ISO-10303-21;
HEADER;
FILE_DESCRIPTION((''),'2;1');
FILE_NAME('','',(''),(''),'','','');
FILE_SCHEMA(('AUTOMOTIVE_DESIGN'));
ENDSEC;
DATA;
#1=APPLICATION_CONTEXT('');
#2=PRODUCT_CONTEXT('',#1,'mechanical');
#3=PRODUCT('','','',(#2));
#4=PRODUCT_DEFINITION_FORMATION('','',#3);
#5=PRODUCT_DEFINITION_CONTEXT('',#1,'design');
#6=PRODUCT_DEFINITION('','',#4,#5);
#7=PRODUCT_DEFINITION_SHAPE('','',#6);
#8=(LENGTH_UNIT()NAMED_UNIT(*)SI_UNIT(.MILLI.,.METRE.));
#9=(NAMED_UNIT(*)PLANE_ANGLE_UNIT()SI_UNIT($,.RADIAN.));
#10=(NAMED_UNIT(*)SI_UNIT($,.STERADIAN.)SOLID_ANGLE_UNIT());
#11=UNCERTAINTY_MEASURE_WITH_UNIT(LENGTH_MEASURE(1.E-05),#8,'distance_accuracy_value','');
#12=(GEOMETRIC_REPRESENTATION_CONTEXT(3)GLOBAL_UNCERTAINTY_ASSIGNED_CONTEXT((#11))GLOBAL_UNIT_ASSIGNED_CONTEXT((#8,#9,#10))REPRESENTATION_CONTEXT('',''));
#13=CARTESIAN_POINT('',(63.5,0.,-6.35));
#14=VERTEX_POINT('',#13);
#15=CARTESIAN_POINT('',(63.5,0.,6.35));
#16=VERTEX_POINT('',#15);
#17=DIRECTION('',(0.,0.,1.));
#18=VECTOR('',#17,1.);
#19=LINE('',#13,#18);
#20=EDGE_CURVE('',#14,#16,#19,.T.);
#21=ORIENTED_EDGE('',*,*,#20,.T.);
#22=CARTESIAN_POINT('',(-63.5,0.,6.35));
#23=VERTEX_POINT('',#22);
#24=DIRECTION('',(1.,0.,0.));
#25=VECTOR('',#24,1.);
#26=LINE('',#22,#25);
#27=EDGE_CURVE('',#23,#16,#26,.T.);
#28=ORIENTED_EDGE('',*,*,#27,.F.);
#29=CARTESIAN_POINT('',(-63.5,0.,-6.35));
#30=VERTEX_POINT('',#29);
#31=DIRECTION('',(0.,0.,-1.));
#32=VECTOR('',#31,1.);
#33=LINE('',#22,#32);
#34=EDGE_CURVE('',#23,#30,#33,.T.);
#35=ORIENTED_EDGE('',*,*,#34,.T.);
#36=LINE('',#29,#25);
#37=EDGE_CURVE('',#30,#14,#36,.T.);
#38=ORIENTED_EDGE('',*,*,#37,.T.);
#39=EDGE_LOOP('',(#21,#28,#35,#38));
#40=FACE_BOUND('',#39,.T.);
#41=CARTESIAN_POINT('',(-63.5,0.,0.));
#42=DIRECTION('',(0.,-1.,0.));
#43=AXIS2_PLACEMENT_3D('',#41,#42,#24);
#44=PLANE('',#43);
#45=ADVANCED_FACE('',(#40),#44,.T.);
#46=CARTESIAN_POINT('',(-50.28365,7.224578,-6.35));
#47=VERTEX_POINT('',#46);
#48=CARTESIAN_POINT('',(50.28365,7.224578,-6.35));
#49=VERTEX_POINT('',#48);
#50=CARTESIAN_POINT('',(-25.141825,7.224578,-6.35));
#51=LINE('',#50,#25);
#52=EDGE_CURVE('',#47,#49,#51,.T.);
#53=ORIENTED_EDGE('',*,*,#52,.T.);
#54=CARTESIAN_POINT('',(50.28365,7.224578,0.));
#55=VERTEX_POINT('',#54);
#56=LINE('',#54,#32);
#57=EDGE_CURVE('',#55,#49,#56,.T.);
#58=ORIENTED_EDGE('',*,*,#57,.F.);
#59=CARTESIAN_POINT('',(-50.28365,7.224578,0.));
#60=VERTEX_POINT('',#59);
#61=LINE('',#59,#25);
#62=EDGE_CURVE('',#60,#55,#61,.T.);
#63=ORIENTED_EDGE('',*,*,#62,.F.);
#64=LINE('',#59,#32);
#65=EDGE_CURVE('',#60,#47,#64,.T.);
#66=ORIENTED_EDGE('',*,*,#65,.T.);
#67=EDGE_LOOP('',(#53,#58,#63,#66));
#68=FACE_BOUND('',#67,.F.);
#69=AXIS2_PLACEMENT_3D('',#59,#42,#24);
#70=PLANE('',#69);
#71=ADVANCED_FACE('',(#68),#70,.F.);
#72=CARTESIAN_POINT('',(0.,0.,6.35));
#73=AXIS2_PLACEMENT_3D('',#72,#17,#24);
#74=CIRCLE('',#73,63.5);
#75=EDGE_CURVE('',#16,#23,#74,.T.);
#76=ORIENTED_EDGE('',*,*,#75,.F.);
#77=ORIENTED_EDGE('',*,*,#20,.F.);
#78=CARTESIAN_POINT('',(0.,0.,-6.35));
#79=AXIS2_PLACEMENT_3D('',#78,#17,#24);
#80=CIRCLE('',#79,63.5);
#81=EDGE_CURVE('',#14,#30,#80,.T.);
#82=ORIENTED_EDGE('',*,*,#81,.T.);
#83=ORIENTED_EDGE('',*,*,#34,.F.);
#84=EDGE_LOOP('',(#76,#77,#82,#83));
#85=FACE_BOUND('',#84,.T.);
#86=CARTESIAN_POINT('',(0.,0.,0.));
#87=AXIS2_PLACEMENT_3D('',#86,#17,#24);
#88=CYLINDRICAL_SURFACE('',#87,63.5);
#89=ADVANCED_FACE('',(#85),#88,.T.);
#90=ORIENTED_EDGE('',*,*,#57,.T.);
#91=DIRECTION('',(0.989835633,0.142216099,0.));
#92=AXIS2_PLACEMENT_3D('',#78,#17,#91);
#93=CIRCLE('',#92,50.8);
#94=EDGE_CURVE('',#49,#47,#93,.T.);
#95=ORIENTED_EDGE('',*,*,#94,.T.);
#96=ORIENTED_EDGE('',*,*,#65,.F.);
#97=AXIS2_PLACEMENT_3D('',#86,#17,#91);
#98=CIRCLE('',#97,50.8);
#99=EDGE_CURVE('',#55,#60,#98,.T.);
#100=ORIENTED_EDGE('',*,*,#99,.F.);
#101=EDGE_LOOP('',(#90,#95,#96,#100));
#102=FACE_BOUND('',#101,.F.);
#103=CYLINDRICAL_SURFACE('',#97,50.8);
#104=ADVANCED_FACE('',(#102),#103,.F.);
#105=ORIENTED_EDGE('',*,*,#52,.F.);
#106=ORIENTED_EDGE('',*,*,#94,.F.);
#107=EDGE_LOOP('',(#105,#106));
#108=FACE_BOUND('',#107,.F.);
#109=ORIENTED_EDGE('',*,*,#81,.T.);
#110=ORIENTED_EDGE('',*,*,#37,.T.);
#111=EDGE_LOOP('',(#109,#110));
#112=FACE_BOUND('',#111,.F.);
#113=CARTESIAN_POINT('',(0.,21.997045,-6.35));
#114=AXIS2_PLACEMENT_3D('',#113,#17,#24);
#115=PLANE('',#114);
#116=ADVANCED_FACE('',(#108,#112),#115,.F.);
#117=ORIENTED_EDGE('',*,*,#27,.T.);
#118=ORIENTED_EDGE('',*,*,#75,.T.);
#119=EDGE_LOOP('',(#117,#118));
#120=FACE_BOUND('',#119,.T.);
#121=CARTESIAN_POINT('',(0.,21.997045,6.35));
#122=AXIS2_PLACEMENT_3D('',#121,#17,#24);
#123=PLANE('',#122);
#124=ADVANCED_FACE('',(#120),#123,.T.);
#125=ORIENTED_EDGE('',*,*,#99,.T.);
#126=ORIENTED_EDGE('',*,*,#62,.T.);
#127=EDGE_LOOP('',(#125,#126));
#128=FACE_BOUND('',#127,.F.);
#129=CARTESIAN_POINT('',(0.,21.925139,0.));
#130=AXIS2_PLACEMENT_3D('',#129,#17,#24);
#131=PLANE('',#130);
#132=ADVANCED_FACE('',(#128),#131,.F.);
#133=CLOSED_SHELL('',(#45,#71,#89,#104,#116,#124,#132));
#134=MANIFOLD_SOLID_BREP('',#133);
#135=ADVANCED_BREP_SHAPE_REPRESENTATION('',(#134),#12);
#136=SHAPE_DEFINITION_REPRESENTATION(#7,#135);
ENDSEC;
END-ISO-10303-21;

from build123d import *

# Parameters (mm, degrees)
F1_DEPTH = 6.35
F3_DEPTH = 25.4


with BuildPart() as f1:
    # F0 (on Top) → F1 (new body, symmetric)
    with BuildSketch(Plane.XY):
        with BuildLine():
            Line((-63.5, 0), (63.5, 0))
            ThreePointArc((63.5, 0), (0, 63.5), (-63.5, 0))
        make_face()
    extrude(amount=F1_DEPTH, both=True)

    # F2 (on Top) → F3 (cut)
    with BuildSketch(Plane.XY):
        with BuildLine():
            Line((-50.28365, 7.224578), (50.28365, 7.224578))
            ThreePointArc((50.28365, 7.224578), (0, 50.8), (-50.28365, 7.224578))
        make_face()
    extrude(amount=-F3_DEPTH, mode=Mode.SUBTRACT)


solid = f1.part
